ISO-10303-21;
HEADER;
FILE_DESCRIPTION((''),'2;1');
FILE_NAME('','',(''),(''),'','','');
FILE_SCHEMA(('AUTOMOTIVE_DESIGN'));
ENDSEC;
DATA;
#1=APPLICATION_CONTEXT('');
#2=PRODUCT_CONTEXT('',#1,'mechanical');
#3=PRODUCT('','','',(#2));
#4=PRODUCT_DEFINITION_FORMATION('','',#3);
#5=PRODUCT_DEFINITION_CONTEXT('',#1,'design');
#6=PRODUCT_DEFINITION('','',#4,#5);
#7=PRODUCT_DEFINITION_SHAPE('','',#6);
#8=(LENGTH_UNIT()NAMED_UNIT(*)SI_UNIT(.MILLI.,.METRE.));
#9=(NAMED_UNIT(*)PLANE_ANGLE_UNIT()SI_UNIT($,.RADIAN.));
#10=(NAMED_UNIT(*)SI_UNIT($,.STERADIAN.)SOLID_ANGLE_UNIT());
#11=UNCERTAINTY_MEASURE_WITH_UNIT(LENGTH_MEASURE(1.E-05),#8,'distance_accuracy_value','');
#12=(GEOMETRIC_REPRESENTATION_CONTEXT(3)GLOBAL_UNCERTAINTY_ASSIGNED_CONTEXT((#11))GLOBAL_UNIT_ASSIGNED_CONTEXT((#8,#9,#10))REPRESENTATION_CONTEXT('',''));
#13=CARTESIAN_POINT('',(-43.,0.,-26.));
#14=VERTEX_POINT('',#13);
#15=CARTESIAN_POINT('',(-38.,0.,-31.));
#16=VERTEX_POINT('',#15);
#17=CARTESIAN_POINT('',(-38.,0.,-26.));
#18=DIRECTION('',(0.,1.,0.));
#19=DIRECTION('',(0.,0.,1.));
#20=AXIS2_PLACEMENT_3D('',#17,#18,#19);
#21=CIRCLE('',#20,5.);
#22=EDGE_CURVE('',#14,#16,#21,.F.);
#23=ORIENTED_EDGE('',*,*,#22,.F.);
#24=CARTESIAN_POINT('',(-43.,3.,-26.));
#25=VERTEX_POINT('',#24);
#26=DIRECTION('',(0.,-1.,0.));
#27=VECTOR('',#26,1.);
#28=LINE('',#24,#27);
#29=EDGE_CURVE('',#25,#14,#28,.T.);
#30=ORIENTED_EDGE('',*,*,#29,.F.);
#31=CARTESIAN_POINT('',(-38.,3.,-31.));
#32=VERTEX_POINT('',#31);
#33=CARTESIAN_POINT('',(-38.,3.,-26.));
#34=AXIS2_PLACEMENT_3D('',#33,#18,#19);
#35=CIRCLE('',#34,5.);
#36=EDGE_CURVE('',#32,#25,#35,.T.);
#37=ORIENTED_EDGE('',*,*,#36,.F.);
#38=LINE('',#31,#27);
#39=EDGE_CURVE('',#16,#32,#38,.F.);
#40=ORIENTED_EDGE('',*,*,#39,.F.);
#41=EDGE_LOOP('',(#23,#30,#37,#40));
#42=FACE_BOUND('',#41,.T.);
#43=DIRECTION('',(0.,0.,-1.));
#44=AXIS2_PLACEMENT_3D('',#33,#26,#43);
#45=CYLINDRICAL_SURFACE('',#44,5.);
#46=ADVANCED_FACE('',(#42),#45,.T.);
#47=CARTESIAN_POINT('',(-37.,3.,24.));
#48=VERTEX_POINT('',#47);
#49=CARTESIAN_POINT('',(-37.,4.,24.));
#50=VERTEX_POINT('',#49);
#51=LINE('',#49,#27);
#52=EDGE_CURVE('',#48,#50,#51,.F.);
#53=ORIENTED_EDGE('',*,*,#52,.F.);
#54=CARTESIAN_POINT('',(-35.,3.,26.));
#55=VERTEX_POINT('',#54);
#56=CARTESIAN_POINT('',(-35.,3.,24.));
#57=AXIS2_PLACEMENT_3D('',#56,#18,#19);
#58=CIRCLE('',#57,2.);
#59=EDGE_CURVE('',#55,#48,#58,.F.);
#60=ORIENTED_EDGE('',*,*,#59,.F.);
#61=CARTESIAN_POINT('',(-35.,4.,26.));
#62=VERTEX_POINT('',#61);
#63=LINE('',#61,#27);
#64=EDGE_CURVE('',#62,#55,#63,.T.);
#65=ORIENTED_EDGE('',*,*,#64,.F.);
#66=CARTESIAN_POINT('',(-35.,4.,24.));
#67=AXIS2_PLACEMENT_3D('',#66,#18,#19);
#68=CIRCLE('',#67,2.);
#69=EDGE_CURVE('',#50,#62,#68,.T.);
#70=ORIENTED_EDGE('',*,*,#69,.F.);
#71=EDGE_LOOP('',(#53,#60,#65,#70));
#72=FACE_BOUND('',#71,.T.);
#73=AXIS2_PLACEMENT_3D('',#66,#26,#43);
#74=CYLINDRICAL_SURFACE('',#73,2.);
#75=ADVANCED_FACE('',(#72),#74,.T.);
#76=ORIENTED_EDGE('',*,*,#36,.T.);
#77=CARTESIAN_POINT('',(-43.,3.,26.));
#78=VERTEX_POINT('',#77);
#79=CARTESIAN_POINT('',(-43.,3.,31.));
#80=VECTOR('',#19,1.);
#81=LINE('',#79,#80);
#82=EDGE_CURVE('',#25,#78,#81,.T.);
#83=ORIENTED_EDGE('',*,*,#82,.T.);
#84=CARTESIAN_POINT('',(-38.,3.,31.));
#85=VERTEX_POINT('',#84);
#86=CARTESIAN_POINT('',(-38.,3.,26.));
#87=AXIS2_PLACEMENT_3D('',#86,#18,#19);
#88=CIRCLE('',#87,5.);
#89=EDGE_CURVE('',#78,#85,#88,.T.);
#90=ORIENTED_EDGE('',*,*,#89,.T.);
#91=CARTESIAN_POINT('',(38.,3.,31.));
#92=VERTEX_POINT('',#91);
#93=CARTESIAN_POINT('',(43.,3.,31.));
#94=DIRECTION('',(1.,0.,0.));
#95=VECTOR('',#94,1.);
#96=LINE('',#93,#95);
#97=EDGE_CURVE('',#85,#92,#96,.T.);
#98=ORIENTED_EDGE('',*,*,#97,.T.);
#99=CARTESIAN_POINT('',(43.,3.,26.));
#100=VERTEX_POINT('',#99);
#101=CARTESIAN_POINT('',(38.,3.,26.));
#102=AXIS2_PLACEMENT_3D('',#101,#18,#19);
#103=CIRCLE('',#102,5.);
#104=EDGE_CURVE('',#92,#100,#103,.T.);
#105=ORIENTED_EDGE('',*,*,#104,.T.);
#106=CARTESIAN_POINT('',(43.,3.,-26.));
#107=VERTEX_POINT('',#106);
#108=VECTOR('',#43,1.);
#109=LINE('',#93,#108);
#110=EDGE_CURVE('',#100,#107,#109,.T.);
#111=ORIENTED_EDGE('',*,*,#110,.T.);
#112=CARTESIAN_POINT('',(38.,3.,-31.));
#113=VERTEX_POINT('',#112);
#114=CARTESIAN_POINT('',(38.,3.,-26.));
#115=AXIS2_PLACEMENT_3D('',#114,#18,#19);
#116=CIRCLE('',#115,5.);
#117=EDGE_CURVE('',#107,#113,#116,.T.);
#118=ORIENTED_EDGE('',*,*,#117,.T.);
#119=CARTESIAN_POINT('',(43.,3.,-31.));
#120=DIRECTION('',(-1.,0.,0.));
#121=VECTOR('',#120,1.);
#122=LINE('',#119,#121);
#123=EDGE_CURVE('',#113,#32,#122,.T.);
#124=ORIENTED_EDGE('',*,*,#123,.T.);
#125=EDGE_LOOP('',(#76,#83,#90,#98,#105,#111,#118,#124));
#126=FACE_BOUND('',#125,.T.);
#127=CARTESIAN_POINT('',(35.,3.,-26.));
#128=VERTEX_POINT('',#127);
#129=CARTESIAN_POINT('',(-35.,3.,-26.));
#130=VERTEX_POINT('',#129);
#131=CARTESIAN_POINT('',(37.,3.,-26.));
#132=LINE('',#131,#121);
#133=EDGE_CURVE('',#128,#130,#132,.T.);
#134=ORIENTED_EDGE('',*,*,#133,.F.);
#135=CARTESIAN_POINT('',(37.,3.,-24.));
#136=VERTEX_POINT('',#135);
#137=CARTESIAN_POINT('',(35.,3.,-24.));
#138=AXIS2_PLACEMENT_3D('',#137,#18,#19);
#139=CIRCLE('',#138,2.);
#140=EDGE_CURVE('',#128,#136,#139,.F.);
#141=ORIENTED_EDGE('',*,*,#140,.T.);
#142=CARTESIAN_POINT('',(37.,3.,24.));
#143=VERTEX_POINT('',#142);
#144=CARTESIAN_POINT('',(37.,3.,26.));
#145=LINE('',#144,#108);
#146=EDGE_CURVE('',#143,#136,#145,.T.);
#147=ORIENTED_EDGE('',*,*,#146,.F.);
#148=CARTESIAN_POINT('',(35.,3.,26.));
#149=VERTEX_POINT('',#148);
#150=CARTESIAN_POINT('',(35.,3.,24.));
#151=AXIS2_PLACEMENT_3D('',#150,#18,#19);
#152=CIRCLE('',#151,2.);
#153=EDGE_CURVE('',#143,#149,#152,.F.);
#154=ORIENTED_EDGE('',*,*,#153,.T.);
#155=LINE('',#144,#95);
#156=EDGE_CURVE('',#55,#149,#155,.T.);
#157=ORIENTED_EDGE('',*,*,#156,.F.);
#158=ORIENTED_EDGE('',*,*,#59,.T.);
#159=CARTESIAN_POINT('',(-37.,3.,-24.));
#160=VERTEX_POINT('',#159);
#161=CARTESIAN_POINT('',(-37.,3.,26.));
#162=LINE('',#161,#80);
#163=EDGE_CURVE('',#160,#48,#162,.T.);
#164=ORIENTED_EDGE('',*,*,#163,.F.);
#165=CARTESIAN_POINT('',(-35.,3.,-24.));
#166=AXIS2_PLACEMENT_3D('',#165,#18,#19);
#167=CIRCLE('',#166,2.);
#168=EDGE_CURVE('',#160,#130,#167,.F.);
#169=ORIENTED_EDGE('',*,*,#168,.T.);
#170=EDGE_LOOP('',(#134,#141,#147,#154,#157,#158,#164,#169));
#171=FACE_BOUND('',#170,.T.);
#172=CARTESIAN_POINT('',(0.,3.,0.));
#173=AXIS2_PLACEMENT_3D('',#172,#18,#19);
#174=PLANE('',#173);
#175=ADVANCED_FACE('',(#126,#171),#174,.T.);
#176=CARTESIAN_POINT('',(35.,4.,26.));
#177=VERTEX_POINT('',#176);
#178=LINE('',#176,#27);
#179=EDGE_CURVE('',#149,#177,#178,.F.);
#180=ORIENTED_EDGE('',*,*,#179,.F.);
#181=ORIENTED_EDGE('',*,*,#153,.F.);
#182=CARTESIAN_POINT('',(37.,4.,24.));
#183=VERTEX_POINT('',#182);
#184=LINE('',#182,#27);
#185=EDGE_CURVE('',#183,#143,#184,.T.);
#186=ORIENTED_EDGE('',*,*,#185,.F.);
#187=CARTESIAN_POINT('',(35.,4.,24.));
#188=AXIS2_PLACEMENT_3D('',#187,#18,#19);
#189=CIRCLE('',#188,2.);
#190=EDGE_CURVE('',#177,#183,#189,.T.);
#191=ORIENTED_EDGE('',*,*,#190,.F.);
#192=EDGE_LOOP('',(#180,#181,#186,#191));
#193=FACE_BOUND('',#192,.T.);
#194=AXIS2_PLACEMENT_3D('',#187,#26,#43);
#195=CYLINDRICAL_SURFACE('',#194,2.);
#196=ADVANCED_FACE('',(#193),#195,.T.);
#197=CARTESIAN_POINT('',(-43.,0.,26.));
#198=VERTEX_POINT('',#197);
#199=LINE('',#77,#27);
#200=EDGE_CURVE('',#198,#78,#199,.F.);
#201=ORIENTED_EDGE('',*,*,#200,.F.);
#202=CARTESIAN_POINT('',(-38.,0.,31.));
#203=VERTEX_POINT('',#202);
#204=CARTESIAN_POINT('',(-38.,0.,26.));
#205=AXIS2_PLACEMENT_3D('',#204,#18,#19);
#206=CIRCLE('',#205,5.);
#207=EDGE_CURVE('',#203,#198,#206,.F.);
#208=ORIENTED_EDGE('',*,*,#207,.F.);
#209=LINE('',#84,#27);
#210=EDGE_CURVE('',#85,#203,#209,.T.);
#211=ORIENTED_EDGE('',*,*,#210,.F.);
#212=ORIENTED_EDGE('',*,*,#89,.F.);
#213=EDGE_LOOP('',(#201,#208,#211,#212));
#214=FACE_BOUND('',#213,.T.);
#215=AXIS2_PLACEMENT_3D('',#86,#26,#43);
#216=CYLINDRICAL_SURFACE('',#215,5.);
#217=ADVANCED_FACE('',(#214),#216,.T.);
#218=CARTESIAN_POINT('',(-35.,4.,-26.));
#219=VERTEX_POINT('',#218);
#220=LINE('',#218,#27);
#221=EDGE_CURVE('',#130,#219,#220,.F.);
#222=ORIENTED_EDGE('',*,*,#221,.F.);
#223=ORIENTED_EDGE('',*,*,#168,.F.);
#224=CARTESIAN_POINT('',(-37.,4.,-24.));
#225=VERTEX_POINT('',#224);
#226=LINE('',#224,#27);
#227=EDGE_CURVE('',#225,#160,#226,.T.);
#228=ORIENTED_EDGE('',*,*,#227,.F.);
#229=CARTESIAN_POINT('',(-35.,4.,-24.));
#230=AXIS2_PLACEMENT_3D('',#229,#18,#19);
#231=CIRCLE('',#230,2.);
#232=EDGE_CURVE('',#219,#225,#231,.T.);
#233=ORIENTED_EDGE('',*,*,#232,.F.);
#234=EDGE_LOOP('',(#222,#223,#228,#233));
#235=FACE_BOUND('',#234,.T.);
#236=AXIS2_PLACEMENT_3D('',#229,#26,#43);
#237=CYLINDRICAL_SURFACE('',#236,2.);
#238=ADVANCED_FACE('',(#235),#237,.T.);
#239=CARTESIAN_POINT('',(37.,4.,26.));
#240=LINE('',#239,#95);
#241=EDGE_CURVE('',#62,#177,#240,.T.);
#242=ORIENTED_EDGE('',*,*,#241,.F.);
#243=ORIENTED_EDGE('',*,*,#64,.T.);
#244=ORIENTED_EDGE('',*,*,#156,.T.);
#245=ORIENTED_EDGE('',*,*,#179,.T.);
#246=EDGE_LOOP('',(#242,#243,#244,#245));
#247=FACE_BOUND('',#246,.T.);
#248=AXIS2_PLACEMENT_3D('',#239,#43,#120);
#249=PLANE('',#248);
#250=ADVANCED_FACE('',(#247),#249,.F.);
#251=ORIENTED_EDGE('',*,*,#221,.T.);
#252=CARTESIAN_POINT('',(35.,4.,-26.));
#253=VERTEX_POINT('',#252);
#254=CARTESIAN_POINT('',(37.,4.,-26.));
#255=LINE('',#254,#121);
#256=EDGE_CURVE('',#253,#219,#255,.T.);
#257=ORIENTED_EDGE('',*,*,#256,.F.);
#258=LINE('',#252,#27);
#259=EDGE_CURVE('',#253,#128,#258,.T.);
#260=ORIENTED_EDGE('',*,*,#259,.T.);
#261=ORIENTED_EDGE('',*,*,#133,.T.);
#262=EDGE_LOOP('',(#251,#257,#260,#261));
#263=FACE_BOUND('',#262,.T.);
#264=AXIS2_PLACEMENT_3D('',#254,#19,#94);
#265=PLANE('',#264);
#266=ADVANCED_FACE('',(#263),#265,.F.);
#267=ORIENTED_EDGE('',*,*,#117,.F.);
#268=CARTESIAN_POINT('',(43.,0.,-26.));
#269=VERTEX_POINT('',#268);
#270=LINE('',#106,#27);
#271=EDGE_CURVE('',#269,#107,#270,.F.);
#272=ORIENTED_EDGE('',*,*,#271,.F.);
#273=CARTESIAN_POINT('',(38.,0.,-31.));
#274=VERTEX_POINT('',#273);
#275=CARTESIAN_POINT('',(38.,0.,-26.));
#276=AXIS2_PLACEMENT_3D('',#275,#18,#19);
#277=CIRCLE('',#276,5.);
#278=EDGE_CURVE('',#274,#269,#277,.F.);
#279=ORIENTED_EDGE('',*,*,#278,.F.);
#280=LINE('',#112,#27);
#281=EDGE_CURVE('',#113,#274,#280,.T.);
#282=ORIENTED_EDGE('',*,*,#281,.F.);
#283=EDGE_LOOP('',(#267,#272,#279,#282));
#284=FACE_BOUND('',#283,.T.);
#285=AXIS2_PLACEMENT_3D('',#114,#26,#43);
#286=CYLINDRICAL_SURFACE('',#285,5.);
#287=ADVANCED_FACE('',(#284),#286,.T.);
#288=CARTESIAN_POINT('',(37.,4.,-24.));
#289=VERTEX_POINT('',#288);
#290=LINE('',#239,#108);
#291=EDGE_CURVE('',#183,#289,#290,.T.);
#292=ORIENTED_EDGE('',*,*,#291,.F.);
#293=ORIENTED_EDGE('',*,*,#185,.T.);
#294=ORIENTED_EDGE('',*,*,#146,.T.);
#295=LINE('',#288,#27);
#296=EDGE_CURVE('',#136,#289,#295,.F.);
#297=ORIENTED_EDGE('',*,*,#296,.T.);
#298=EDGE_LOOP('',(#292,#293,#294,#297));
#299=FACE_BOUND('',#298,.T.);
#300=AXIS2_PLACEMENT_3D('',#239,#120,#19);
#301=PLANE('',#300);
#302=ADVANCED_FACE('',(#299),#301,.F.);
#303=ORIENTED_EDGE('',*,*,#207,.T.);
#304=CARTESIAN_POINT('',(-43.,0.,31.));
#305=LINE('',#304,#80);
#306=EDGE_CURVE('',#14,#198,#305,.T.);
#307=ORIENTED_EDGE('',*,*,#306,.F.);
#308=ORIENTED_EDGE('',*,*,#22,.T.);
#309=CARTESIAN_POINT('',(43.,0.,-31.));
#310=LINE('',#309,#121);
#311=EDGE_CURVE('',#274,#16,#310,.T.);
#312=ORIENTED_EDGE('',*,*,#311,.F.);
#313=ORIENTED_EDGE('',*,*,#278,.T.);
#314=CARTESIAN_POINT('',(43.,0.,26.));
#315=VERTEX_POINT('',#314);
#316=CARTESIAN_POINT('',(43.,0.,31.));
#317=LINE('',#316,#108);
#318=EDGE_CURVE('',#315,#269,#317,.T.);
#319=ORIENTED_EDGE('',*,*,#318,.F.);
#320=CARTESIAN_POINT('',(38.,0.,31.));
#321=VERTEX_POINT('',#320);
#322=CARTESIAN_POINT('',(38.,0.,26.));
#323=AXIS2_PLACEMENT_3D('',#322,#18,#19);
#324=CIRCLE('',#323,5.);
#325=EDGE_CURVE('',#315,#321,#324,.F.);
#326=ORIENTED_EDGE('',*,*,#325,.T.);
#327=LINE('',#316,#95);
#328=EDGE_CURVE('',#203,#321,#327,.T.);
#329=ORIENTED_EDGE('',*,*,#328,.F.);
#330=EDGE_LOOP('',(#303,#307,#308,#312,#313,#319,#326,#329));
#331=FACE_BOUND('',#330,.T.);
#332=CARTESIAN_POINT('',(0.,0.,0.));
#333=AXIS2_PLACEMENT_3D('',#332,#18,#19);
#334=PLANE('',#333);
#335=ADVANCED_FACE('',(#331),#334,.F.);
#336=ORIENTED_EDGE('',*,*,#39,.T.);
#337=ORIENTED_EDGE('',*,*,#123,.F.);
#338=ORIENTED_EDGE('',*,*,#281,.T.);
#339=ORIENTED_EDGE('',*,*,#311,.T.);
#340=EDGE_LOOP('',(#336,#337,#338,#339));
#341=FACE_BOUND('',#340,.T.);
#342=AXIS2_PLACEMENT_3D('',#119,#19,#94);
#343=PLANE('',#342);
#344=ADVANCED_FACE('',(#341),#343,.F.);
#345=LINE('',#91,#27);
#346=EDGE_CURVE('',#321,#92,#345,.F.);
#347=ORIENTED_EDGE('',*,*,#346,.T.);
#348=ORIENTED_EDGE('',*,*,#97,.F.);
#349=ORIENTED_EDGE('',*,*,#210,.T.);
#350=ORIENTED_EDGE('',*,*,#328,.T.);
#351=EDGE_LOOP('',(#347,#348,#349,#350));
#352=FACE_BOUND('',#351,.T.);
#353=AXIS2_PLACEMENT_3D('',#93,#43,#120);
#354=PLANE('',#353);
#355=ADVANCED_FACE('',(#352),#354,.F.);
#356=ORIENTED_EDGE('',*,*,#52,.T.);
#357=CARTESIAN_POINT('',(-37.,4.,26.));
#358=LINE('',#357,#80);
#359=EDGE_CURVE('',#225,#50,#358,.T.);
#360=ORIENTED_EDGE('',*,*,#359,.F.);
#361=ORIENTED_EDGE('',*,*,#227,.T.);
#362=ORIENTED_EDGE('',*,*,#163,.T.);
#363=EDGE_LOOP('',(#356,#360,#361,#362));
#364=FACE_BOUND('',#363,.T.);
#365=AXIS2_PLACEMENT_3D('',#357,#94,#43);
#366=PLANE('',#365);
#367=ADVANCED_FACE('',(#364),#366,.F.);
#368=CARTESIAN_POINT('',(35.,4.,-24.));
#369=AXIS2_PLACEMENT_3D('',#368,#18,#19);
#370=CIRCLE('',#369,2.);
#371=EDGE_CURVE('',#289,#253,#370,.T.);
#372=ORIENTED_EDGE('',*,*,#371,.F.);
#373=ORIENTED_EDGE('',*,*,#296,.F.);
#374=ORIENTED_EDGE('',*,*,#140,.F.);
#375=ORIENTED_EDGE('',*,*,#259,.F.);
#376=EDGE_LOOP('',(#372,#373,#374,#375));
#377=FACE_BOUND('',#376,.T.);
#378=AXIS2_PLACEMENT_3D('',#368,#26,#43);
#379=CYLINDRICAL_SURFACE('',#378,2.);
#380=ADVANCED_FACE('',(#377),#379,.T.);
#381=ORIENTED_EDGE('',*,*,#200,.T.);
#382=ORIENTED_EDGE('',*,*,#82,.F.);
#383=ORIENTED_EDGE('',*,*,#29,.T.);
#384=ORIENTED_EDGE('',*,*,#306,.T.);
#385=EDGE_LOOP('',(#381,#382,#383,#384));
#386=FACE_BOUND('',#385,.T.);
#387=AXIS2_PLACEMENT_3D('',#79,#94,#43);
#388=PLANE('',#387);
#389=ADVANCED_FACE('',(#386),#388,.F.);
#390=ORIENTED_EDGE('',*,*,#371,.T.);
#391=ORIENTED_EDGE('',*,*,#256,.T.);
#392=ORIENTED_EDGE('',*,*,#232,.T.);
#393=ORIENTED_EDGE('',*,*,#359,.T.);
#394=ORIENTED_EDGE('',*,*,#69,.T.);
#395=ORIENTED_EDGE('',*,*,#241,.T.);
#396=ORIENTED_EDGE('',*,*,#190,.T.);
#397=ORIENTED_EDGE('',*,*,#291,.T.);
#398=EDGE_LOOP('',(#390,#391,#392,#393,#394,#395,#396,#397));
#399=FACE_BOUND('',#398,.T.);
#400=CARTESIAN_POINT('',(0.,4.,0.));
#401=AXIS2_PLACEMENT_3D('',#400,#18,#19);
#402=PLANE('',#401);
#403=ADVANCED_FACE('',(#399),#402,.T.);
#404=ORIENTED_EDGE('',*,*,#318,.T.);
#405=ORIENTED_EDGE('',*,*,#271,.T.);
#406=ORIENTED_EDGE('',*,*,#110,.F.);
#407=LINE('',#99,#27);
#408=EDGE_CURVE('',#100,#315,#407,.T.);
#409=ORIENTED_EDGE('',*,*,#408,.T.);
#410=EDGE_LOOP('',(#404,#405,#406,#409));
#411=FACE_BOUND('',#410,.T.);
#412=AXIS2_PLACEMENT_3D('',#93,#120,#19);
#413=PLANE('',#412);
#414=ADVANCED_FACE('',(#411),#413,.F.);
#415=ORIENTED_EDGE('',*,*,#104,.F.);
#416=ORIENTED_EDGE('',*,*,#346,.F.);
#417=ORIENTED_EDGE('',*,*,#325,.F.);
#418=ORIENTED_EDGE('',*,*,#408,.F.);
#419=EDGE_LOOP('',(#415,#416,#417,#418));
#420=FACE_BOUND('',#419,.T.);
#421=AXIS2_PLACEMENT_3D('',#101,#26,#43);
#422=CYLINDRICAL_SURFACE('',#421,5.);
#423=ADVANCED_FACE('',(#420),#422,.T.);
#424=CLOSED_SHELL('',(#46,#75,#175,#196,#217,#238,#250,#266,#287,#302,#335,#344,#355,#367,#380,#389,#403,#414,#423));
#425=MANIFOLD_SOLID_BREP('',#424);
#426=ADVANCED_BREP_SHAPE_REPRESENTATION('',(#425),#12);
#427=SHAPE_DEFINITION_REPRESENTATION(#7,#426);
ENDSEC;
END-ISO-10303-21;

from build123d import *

# Parameters (mm, degrees)
SKETCH_1_W      = 86
SKETCH_1_H      = 62
EXTRUDE_1_DEPTH = 3
SKETCH_2_W      = 74
SKETCH_2_H      = 52
EXTRUDE_2_DEPTH = 1
FILLET_1_R      = 5
FILLET_2_R      = 2


with BuildPart() as part:
    # 草图1 → 凸台-拉伸1 (new body)
    with BuildSketch(Plane(origin=(0, 0, 0), x_dir=(1, 0, 0), z_dir=(0, 1, 0))):
        Rectangle(SKETCH_1_W, SKETCH_1_H)
    extrude(amount=EXTRUDE_1_DEPTH)

    # 草图2 → 凸台-拉伸2 (add)
    with BuildSketch(Plane(origin=(0, 3, 0), x_dir=(1, 0, 0), z_dir=(0, 1, 0))):
        Rectangle(SKETCH_2_W, SKETCH_2_H)
    extrude(amount=EXTRUDE_2_DEPTH)

    # 圆角1
    fillet_1_edges = [part.edges().sort_by_distance(p)[0] for p in [
        (-43, 1.5, -31),
        (43, 1.5, -31),
        (43, 1.5, 31),
        (-43, 1.5, 31),
    ]]
    fillet(fillet_1_edges, radius=FILLET_1_R)

    # 圆角2
    fillet_2_edges = [part.edges().sort_by_distance(p)[0] for p in [
        (-37, 3.5, -26),
        (-37, 3.5, 26),
        (37, 3.5, 26),
        (37, 3.5, -26),
    ]]
    fillet(fillet_2_edges, radius=FILLET_2_R)


solid = part.part
